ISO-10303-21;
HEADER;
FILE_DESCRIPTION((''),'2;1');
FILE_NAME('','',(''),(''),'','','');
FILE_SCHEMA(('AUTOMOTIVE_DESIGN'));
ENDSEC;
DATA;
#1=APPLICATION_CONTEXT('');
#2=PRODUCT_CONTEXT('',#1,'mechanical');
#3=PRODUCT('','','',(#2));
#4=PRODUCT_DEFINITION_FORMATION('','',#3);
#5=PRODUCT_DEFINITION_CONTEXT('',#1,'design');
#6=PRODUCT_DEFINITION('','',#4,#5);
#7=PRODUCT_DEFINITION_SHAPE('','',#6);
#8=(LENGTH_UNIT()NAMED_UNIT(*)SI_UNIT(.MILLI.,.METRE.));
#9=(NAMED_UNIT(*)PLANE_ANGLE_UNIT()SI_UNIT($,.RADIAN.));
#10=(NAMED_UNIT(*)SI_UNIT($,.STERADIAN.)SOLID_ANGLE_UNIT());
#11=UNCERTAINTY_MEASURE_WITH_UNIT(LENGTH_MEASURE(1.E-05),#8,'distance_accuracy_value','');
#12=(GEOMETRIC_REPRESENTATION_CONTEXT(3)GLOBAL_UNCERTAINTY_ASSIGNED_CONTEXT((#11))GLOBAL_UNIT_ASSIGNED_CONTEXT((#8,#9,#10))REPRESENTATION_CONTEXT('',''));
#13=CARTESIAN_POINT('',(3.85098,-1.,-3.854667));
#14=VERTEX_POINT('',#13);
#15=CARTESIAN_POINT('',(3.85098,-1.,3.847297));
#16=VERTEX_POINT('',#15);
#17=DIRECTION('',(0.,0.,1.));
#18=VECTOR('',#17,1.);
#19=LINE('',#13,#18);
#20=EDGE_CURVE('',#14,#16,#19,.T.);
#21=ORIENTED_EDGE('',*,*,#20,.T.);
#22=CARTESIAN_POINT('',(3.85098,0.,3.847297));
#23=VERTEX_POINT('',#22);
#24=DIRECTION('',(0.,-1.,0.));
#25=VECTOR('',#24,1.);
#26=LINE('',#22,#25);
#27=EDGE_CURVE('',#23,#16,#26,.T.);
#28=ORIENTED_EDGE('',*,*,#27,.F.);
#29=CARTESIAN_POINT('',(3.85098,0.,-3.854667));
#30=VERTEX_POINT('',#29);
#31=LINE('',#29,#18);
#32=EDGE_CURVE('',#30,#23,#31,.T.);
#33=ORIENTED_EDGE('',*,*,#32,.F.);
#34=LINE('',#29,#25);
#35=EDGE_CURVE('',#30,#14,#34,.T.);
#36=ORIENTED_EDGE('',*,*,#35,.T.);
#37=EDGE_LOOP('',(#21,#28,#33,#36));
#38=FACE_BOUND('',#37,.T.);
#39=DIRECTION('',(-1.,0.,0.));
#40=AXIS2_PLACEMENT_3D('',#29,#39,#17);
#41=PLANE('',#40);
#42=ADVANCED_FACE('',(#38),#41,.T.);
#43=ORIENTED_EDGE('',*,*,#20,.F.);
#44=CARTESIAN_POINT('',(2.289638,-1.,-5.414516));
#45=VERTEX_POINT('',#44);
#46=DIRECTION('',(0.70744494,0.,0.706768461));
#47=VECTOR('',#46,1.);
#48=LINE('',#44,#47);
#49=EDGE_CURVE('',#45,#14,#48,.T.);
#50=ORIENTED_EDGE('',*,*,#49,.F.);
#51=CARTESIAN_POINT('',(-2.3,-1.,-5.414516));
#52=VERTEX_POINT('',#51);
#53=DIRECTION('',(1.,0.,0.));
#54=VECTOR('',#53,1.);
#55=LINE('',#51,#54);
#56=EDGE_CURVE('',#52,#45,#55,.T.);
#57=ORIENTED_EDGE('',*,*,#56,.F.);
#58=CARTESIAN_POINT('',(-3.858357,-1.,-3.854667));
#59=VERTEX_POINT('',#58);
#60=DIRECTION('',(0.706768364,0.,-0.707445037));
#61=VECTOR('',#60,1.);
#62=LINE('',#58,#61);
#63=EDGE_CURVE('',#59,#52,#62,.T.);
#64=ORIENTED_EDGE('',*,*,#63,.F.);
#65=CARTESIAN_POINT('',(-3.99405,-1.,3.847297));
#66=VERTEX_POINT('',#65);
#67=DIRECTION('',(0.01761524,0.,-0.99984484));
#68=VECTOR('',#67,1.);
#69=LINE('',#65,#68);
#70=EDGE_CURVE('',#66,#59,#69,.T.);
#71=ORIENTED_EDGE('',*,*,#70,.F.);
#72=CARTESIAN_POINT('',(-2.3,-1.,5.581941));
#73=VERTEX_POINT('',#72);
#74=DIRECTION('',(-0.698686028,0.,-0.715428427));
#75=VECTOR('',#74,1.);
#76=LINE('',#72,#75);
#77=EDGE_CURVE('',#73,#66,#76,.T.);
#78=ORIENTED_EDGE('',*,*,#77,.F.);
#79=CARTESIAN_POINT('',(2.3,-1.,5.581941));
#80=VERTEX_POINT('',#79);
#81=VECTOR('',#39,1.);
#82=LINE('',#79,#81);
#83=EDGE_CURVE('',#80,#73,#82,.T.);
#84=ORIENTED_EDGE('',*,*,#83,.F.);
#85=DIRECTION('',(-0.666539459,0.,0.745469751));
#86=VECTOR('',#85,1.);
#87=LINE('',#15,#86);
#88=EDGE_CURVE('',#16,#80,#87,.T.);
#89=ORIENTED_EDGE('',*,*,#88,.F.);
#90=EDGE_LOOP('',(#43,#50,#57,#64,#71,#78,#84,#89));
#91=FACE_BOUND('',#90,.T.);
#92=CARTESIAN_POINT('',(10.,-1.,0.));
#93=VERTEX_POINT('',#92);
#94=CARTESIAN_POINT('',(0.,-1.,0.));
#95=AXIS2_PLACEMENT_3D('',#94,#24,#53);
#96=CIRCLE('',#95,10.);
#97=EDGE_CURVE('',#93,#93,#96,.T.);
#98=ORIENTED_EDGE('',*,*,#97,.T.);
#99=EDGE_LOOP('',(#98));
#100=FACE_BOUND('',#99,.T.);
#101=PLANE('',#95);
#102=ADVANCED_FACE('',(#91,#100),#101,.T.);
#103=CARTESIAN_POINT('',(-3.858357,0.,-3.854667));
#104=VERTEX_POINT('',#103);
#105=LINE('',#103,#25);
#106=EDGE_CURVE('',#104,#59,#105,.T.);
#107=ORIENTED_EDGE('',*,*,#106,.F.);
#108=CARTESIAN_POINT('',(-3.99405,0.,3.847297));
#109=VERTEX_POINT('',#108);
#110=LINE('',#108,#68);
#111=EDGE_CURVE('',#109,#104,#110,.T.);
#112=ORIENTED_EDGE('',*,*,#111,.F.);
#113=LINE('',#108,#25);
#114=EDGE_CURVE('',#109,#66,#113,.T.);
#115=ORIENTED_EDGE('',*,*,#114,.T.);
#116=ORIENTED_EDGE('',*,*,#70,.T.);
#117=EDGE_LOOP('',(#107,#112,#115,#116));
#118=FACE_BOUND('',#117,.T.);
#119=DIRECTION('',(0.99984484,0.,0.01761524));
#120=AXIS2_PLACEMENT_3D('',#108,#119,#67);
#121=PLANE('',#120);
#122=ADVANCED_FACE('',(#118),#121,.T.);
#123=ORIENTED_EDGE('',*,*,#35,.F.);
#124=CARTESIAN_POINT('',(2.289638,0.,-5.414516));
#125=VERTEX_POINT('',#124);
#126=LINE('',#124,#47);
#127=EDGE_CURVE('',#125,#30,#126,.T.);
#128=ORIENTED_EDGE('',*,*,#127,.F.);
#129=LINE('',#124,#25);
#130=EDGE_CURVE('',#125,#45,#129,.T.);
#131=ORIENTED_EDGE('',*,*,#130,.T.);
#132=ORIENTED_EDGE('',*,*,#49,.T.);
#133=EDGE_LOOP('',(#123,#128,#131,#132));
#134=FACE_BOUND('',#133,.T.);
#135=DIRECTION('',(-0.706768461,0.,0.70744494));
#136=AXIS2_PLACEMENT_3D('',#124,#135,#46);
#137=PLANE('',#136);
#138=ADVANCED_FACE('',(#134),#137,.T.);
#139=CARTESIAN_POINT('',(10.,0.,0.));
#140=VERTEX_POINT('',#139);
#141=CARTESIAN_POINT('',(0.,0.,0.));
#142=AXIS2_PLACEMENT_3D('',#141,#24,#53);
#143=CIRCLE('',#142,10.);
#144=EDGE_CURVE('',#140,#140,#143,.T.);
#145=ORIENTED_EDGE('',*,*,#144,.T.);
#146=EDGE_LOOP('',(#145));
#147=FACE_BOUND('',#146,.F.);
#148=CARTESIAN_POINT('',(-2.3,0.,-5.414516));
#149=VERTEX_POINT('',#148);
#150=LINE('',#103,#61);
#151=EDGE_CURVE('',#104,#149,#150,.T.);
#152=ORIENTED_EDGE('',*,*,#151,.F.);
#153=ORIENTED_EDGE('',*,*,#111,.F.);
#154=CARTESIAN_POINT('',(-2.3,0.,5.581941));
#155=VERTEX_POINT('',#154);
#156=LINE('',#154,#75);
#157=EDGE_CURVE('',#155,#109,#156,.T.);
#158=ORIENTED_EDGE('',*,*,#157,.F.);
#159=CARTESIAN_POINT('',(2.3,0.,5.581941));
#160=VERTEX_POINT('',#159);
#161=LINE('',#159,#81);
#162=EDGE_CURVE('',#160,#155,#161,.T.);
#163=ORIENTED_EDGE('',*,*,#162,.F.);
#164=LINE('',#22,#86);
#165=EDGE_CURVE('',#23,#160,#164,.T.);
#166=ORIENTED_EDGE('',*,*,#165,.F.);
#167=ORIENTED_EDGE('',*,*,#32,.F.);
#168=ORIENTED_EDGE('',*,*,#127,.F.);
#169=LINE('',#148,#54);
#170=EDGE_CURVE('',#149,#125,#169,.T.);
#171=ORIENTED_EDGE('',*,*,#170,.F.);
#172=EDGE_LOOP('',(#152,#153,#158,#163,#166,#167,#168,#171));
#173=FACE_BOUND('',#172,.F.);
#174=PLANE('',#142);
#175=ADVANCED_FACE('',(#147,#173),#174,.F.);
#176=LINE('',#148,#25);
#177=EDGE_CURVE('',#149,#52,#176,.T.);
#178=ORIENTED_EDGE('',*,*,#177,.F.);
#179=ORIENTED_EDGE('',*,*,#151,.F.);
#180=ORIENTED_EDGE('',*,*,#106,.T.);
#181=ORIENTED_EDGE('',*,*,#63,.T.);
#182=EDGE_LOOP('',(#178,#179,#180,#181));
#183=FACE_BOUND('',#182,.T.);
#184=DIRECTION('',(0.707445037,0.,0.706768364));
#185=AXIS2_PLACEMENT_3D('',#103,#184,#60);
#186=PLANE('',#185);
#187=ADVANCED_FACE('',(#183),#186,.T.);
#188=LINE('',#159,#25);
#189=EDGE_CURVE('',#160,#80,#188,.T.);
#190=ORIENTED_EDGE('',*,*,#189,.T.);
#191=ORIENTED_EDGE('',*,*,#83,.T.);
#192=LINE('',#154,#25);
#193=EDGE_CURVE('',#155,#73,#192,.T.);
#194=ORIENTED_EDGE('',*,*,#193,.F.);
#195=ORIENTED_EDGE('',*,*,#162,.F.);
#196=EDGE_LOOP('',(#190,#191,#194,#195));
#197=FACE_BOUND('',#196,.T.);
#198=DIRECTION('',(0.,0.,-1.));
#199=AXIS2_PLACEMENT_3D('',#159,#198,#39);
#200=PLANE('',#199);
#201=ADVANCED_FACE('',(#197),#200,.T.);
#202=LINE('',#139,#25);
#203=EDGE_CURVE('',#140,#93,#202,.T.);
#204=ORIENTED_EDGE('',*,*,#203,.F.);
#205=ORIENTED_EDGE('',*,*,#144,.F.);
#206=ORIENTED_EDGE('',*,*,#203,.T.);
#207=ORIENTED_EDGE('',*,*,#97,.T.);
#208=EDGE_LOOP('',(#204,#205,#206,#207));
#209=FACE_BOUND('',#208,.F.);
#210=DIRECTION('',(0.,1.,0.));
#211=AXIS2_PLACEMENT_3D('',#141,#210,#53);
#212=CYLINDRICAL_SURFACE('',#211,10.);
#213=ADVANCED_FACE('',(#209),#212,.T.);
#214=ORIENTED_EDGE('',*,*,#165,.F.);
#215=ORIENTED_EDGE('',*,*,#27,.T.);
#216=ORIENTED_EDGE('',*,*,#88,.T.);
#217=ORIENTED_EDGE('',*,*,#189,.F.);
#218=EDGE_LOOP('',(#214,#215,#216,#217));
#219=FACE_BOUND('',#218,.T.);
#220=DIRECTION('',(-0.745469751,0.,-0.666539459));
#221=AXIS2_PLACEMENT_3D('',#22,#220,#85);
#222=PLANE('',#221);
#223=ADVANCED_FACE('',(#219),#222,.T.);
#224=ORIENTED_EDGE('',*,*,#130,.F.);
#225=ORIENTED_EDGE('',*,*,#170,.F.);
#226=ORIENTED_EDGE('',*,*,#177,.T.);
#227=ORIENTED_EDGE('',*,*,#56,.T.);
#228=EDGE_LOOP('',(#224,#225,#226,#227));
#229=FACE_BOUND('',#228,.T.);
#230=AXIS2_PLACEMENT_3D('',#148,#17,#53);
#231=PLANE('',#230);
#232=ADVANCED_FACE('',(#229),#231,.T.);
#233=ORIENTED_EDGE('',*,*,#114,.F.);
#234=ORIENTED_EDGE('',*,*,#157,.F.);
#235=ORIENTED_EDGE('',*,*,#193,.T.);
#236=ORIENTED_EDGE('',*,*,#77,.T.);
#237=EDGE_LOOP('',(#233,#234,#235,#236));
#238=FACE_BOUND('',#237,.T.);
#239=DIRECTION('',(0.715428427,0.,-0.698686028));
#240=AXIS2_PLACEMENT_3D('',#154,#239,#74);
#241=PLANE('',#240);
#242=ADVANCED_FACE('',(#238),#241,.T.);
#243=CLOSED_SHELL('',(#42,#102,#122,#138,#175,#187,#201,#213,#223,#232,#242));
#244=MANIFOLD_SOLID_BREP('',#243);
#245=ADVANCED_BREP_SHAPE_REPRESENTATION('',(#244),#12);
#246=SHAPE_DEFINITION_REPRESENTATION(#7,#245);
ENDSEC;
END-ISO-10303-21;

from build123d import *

# Parameters (mm, degrees)
F0_R     = 10
F1_DEPTH = 1
F3_DEPTH = 0.7
F4_DEPTH = 1


with BuildPart() as f1:
    # F0 (on Front) → F1 (new body)
    with BuildSketch(Plane.XZ):
        Circle(F0_R)
    extrude(amount=F1_DEPTH)

    # F2 (on Front) → F3 (cut)
    with BuildSketch(Plane.XZ):
        Polygon((2.3, 5.581941), (0, 5.581941), (-2.3, 5.581941), (-3.99405, 3.847297), (-3.858357, -3.854667), (-2.3, -5.414516), (2.289638, -5.414516), (3.85098, -3.854667), (3.85098, 3.847297), align=None)
    extrude(amount=-F3_DEPTH, mode=Mode.SUBTRACT)

    # F2 (on Front) → F4 (cut)
    with BuildSketch(Plane.XZ):
        Polygon((2.3, 5.581941), (0, 5.581941), (-2.3, 5.581941), (-3.99405, 3.847297), (-3.858357, -3.854667), (-2.3, -5.414516), (2.289638, -5.414516), (3.85098, -3.854667), (3.85098, 3.847297), align=None)
    extrude(amount=F4_DEPTH, mode=Mode.SUBTRACT)


solid = f1.part
